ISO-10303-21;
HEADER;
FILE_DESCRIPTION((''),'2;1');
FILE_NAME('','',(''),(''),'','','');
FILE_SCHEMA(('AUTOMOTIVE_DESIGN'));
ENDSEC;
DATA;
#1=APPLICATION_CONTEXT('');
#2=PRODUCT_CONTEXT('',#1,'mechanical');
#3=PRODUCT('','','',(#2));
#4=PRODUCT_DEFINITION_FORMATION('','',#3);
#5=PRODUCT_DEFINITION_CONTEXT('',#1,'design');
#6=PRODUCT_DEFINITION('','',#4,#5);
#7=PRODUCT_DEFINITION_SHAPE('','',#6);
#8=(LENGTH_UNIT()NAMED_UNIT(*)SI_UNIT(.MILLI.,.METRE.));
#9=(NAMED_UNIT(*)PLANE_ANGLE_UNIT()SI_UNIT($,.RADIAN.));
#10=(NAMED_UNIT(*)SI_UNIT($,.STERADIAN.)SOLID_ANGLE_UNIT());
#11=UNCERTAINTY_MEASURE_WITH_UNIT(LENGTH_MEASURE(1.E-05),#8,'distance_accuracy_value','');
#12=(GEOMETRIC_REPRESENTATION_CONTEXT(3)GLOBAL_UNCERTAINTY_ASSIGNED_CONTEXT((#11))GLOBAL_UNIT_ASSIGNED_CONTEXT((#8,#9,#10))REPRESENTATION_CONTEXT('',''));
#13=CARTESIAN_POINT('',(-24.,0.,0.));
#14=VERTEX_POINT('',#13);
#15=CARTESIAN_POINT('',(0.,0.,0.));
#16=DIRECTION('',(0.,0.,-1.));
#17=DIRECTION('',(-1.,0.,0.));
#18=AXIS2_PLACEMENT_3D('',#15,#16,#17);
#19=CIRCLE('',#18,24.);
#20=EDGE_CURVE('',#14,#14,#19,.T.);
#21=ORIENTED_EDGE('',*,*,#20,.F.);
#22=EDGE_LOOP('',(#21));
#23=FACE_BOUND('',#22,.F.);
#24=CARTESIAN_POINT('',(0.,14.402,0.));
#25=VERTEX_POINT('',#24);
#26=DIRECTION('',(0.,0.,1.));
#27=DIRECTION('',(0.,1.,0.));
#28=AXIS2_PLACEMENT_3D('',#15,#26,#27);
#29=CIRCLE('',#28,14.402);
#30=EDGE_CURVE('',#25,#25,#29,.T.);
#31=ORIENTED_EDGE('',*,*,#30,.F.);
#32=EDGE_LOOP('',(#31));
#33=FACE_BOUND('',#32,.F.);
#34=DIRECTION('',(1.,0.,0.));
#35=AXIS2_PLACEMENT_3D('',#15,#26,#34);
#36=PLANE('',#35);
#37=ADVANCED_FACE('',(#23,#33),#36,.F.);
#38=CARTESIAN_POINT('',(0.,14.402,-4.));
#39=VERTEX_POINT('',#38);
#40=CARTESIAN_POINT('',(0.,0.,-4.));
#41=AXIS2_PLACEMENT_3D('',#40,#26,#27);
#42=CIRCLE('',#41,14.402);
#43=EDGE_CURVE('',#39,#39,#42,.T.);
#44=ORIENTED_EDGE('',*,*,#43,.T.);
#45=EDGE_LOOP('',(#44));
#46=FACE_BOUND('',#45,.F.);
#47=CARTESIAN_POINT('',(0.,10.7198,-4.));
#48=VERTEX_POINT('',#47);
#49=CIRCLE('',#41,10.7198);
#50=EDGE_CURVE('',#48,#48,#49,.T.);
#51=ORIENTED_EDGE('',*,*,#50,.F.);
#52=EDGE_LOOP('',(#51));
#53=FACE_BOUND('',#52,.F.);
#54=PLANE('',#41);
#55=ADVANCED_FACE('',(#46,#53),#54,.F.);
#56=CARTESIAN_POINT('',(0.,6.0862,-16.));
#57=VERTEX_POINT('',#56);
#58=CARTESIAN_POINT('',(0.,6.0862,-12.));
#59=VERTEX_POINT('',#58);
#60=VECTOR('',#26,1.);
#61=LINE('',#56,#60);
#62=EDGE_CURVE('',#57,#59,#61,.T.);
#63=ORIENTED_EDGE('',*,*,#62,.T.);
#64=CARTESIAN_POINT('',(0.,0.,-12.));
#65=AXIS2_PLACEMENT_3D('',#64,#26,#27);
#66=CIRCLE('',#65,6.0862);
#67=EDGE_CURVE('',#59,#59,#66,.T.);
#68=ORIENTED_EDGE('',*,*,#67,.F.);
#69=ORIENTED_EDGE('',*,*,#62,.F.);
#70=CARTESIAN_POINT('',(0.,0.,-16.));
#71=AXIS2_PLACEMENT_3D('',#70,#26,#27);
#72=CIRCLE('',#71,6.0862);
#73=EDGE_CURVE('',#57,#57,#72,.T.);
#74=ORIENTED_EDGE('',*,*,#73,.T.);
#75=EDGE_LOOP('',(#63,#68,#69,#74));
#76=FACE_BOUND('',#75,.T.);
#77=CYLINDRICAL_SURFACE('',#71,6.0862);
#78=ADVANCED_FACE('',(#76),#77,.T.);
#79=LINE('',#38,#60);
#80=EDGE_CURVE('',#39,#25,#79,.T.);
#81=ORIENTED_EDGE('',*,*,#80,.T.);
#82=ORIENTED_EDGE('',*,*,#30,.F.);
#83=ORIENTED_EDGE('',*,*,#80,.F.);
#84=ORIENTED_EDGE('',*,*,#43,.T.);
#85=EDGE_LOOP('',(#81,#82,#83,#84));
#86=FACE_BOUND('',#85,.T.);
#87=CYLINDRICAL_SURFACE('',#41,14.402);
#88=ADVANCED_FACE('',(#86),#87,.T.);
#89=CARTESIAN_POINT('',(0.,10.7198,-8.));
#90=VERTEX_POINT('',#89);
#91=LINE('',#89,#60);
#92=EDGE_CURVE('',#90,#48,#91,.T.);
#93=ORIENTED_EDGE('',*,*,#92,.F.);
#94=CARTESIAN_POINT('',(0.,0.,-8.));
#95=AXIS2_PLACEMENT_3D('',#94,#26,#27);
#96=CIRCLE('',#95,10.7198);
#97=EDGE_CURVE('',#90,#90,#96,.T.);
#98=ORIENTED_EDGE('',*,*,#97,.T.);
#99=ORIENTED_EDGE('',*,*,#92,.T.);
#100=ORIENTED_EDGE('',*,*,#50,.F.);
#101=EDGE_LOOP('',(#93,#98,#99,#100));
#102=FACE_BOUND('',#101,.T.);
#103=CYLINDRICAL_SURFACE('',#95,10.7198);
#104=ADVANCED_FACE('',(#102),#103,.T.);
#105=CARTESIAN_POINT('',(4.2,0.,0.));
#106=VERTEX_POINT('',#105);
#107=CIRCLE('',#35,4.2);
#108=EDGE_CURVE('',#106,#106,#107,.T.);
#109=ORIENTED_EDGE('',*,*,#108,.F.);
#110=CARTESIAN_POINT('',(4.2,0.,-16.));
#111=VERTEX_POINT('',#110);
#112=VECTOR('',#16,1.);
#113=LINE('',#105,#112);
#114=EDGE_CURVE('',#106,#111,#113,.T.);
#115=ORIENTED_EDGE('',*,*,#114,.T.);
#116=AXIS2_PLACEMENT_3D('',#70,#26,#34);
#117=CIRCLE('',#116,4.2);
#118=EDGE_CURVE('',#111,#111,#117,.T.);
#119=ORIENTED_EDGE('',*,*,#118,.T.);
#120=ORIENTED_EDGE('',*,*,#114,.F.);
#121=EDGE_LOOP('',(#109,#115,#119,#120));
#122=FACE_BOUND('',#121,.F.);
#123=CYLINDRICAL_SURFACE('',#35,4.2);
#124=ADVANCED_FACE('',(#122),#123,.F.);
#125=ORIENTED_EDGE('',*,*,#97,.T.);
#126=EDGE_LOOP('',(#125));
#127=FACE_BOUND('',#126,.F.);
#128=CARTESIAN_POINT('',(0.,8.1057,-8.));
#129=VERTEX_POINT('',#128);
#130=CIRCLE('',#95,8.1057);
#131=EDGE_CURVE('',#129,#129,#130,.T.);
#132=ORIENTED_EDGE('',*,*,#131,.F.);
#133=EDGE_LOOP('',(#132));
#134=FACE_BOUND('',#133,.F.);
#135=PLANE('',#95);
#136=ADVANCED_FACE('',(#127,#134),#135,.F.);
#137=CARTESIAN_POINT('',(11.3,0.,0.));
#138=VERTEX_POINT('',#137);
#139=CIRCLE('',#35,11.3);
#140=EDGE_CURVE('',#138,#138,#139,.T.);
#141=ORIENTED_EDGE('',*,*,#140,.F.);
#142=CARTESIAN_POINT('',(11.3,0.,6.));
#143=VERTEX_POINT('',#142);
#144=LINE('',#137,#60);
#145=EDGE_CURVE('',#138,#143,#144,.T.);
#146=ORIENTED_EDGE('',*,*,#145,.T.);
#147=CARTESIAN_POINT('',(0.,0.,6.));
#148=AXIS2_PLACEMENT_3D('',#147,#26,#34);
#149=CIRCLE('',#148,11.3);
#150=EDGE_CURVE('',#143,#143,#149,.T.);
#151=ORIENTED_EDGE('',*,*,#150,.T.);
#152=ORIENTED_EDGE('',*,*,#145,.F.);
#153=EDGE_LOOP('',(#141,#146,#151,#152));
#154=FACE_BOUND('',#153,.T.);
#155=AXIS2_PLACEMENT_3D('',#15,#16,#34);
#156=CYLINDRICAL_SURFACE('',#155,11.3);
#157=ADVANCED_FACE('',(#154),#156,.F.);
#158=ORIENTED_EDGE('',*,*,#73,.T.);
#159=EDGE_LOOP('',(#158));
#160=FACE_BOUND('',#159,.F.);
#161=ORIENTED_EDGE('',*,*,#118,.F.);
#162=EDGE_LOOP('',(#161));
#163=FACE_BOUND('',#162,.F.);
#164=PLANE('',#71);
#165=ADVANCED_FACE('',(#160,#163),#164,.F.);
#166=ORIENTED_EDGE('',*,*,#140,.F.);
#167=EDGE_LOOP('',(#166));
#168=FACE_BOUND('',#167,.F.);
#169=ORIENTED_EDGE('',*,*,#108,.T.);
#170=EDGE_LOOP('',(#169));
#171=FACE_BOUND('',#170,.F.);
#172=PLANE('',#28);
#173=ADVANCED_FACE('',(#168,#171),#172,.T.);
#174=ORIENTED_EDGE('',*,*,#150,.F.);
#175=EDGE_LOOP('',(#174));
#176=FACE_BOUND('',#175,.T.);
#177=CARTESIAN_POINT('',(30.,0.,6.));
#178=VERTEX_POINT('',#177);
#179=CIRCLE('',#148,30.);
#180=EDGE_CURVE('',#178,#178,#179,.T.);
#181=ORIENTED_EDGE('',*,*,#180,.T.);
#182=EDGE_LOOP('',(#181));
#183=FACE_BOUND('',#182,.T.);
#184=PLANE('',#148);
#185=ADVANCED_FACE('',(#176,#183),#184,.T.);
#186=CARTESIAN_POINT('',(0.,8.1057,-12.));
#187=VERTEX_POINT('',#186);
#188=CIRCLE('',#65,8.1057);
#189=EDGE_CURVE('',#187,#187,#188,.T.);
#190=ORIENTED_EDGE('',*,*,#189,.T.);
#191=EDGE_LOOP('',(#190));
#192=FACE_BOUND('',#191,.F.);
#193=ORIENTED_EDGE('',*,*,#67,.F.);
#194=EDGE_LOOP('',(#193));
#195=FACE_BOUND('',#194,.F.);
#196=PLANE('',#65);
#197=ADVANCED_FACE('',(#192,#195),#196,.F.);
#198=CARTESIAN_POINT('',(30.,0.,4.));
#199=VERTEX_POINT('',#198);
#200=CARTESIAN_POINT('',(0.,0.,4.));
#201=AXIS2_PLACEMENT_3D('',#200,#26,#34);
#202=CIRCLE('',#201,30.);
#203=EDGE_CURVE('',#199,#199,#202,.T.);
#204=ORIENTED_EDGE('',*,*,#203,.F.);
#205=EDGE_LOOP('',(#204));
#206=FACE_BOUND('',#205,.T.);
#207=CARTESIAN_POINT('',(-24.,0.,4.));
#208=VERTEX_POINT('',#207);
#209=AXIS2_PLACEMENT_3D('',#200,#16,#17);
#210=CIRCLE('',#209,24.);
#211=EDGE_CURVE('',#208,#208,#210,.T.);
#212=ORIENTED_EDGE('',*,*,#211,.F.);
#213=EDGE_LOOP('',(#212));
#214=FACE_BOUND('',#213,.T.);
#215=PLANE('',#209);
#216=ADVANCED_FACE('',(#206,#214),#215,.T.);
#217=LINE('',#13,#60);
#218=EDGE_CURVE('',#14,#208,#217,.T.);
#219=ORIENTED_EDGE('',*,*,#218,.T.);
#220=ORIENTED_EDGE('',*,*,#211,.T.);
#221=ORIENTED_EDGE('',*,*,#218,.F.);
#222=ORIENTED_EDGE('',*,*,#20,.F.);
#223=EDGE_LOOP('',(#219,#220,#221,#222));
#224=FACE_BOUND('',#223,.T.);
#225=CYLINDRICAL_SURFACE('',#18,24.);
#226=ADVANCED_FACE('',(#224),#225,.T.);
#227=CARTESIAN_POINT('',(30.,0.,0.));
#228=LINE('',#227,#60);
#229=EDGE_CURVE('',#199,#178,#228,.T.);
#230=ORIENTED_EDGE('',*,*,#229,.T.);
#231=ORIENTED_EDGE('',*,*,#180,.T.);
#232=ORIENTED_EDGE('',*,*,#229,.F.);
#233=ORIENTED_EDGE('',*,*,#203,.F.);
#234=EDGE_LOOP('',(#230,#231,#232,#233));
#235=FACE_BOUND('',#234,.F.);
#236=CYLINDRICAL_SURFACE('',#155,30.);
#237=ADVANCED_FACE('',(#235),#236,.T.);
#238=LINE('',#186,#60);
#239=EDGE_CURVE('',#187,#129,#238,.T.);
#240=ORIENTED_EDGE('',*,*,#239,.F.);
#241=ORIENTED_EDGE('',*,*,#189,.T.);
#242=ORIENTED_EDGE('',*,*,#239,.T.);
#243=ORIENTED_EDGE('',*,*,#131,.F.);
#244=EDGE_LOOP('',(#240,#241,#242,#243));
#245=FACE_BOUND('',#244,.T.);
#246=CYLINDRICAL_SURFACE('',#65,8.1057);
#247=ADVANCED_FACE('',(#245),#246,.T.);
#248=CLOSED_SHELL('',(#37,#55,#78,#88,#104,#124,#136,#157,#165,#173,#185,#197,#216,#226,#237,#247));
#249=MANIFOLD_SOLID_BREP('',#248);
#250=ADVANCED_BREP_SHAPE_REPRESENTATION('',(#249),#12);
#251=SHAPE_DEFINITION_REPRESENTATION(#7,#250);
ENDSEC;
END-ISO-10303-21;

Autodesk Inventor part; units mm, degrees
ref_plane "YZ Plane" through (0, 0, 0) normal (1, 0, 0) x (0, 1, 0)
ref_plane "XZ Plane" through (0, 0, 0) normal (0, 1, 0) x (-1, 0, 0)
ref_plane "XY Plane" through (0, 0, 0) normal (0, 0, 1) x (1, 0, 0)
sketch "Sketch1" plane through (0, 0, 0) normal (0, 0, 1) x (1, 0, 0)
  circle A0 centre (0, 0) radius 11.3
  circle A1 centre (0, 0) radius 30
  dimension "d0" = 22.6
  dimension "d1" = 60
extrude "Extrusion1" add sketch "Sketch1" along normal blind 6
sketch "Sketch2" plane through (0, 0, 0) normal (1, 0, 0) x (0, 1, 0)
  line L0 (-30, 0) -> (30, 0) projected
  line L1 (0, 0) -> (0, -22.2563)
  line L2 (0, -28.8) -> (0, 4.8) projected
  line L3 (20.103, -4) -> (-2.6994, -4) construction
  line L4 (20.103, -8) -> (-2.6994, -8) construction
  line L5 (20.103, -12) -> (-2.6994, -12) construction
  line L6 (20.103, -16) -> (-2.6994, -16) construction
  line L7 (20.103, -20) -> (-2.6994, -20) construction
  line L8 (20.103, -24) -> (-2.6994, -24) construction
  line L9 (10.7198, -8) -> (10.7198, -4)
  line L10 (14.402, -4) -> (10.7198, -4)
  line L11 (8.1057, -12) -> (8.1057, -8)
  line L12 (10.7198, -8) -> (8.1057, -8)
  line L13 (6.0862, -16) -> (6.0862, -12)
  line L14 (8.1057, -12) -> (6.0862, -12)
  line L15 (6.0862, -16) -> (4.4759, -16)
  line L16 (14.402, -4) -> (14.402, 0)
  line L17 (4.4759, -16) -> (0, -16)
  point P0 (0, -11.3553)
  point P1 (0, -24)
  point P2 (0, -20)
  dimension "d8" = 4
  dimension "d11" = 4
revolve "Revolution1" add sketch "Sketch2" angle 360 about axis through (0, 0, -10) along (0, 0, 1)
sketch "Sketch3" plane through (0, 0, 0) normal (0, 0, 1) x (1, 0, 0)
  circle A0 centre (0, 0) radius 4.2
  dimension "d5" = 8.4
extrude "Extrusion2" cut sketch "Sketch3" against normal through all
sketch "Sketch4" plane through (0, 0, 0) normal (0, 0, -1) x (-1, 0, 0)
  circle A0 centre (0, 0) radius 24
  circle A1 centre (0, 0) radius 30 projected
  dimension "d16" = 48
extrude "Extrusion3" cut sketch "Sketch4" against normal blind 4
properties part number "spool diam support"
